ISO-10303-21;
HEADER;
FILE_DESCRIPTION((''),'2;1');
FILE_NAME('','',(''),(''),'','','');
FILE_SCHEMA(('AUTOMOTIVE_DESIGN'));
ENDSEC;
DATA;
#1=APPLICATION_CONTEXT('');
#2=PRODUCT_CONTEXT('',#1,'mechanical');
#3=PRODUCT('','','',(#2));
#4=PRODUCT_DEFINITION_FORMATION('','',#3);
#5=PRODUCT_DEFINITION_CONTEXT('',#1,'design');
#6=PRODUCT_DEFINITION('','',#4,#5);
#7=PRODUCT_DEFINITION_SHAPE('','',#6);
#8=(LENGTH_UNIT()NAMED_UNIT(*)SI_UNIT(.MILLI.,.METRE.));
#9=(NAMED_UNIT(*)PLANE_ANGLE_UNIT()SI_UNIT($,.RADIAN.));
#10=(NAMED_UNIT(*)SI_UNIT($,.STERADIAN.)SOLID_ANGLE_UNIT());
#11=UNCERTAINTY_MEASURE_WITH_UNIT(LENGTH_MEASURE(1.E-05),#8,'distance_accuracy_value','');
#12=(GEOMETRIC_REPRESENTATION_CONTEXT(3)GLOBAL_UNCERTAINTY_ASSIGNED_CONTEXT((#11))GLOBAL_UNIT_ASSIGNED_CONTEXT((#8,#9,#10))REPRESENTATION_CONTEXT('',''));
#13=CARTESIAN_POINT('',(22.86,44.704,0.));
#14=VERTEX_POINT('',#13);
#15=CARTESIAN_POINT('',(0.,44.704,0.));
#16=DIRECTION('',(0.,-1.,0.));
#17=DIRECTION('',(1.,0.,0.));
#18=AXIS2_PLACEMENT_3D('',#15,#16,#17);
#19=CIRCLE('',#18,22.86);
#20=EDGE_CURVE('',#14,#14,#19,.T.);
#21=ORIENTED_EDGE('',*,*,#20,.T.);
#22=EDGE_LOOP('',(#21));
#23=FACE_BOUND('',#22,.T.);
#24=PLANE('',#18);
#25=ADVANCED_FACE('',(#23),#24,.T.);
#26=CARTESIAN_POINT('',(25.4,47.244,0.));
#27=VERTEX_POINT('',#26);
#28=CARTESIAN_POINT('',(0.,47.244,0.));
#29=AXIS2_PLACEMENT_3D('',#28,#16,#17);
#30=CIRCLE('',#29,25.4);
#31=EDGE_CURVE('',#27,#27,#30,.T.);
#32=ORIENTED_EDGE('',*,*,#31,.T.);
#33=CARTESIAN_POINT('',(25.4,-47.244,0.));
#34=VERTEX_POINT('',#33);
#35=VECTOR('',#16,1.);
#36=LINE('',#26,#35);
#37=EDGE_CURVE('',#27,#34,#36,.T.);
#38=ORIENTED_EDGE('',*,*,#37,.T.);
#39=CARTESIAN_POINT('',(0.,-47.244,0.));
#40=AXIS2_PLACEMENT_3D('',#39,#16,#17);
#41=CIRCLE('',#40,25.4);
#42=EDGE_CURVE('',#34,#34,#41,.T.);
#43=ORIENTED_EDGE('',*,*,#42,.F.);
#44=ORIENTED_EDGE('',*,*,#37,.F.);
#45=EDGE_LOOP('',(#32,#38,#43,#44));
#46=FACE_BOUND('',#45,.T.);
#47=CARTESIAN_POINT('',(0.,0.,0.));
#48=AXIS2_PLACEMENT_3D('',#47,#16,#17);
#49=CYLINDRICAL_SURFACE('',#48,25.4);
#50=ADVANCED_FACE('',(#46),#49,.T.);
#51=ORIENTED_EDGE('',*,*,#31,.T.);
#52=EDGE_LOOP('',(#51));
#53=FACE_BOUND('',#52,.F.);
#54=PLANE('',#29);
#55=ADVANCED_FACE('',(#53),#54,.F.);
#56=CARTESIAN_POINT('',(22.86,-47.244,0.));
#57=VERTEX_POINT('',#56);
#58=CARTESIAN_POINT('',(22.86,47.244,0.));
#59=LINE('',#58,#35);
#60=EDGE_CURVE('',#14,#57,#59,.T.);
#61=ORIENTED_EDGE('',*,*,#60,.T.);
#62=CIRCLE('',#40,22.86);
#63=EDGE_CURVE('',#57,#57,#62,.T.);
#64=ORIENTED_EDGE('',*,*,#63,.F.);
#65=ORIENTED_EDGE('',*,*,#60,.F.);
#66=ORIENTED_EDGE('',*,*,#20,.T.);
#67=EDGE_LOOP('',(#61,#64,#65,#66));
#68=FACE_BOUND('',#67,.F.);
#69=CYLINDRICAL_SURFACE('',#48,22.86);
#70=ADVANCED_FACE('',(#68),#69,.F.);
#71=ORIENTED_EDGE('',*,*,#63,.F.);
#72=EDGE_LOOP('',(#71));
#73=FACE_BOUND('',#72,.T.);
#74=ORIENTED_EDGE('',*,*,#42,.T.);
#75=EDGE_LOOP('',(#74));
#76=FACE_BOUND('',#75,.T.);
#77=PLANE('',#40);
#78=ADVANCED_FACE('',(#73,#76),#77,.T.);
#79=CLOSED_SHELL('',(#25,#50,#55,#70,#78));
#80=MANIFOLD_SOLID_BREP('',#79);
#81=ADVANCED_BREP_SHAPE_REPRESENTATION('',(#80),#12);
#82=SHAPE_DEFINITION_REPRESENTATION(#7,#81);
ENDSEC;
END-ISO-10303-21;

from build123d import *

# Parameters (mm, degrees)
F0_R     = 25.4
F1_DEPTH = 47.244
F2_T     = -2.54


with BuildPart() as f1:
    # F0 (on Front) → F1 (new body, symmetric)
    with BuildSketch(Plane.XZ):
        Circle(F0_R)
    extrude(amount=F1_DEPTH, both=True)

    # F2
    f2_openings = [f1.faces().sort_by_distance(p)[0] for p in [
        (0, -47.244, 0),
    ]]
    offset(amount=F2_T, openings=f2_openings)


solid = f1.part
